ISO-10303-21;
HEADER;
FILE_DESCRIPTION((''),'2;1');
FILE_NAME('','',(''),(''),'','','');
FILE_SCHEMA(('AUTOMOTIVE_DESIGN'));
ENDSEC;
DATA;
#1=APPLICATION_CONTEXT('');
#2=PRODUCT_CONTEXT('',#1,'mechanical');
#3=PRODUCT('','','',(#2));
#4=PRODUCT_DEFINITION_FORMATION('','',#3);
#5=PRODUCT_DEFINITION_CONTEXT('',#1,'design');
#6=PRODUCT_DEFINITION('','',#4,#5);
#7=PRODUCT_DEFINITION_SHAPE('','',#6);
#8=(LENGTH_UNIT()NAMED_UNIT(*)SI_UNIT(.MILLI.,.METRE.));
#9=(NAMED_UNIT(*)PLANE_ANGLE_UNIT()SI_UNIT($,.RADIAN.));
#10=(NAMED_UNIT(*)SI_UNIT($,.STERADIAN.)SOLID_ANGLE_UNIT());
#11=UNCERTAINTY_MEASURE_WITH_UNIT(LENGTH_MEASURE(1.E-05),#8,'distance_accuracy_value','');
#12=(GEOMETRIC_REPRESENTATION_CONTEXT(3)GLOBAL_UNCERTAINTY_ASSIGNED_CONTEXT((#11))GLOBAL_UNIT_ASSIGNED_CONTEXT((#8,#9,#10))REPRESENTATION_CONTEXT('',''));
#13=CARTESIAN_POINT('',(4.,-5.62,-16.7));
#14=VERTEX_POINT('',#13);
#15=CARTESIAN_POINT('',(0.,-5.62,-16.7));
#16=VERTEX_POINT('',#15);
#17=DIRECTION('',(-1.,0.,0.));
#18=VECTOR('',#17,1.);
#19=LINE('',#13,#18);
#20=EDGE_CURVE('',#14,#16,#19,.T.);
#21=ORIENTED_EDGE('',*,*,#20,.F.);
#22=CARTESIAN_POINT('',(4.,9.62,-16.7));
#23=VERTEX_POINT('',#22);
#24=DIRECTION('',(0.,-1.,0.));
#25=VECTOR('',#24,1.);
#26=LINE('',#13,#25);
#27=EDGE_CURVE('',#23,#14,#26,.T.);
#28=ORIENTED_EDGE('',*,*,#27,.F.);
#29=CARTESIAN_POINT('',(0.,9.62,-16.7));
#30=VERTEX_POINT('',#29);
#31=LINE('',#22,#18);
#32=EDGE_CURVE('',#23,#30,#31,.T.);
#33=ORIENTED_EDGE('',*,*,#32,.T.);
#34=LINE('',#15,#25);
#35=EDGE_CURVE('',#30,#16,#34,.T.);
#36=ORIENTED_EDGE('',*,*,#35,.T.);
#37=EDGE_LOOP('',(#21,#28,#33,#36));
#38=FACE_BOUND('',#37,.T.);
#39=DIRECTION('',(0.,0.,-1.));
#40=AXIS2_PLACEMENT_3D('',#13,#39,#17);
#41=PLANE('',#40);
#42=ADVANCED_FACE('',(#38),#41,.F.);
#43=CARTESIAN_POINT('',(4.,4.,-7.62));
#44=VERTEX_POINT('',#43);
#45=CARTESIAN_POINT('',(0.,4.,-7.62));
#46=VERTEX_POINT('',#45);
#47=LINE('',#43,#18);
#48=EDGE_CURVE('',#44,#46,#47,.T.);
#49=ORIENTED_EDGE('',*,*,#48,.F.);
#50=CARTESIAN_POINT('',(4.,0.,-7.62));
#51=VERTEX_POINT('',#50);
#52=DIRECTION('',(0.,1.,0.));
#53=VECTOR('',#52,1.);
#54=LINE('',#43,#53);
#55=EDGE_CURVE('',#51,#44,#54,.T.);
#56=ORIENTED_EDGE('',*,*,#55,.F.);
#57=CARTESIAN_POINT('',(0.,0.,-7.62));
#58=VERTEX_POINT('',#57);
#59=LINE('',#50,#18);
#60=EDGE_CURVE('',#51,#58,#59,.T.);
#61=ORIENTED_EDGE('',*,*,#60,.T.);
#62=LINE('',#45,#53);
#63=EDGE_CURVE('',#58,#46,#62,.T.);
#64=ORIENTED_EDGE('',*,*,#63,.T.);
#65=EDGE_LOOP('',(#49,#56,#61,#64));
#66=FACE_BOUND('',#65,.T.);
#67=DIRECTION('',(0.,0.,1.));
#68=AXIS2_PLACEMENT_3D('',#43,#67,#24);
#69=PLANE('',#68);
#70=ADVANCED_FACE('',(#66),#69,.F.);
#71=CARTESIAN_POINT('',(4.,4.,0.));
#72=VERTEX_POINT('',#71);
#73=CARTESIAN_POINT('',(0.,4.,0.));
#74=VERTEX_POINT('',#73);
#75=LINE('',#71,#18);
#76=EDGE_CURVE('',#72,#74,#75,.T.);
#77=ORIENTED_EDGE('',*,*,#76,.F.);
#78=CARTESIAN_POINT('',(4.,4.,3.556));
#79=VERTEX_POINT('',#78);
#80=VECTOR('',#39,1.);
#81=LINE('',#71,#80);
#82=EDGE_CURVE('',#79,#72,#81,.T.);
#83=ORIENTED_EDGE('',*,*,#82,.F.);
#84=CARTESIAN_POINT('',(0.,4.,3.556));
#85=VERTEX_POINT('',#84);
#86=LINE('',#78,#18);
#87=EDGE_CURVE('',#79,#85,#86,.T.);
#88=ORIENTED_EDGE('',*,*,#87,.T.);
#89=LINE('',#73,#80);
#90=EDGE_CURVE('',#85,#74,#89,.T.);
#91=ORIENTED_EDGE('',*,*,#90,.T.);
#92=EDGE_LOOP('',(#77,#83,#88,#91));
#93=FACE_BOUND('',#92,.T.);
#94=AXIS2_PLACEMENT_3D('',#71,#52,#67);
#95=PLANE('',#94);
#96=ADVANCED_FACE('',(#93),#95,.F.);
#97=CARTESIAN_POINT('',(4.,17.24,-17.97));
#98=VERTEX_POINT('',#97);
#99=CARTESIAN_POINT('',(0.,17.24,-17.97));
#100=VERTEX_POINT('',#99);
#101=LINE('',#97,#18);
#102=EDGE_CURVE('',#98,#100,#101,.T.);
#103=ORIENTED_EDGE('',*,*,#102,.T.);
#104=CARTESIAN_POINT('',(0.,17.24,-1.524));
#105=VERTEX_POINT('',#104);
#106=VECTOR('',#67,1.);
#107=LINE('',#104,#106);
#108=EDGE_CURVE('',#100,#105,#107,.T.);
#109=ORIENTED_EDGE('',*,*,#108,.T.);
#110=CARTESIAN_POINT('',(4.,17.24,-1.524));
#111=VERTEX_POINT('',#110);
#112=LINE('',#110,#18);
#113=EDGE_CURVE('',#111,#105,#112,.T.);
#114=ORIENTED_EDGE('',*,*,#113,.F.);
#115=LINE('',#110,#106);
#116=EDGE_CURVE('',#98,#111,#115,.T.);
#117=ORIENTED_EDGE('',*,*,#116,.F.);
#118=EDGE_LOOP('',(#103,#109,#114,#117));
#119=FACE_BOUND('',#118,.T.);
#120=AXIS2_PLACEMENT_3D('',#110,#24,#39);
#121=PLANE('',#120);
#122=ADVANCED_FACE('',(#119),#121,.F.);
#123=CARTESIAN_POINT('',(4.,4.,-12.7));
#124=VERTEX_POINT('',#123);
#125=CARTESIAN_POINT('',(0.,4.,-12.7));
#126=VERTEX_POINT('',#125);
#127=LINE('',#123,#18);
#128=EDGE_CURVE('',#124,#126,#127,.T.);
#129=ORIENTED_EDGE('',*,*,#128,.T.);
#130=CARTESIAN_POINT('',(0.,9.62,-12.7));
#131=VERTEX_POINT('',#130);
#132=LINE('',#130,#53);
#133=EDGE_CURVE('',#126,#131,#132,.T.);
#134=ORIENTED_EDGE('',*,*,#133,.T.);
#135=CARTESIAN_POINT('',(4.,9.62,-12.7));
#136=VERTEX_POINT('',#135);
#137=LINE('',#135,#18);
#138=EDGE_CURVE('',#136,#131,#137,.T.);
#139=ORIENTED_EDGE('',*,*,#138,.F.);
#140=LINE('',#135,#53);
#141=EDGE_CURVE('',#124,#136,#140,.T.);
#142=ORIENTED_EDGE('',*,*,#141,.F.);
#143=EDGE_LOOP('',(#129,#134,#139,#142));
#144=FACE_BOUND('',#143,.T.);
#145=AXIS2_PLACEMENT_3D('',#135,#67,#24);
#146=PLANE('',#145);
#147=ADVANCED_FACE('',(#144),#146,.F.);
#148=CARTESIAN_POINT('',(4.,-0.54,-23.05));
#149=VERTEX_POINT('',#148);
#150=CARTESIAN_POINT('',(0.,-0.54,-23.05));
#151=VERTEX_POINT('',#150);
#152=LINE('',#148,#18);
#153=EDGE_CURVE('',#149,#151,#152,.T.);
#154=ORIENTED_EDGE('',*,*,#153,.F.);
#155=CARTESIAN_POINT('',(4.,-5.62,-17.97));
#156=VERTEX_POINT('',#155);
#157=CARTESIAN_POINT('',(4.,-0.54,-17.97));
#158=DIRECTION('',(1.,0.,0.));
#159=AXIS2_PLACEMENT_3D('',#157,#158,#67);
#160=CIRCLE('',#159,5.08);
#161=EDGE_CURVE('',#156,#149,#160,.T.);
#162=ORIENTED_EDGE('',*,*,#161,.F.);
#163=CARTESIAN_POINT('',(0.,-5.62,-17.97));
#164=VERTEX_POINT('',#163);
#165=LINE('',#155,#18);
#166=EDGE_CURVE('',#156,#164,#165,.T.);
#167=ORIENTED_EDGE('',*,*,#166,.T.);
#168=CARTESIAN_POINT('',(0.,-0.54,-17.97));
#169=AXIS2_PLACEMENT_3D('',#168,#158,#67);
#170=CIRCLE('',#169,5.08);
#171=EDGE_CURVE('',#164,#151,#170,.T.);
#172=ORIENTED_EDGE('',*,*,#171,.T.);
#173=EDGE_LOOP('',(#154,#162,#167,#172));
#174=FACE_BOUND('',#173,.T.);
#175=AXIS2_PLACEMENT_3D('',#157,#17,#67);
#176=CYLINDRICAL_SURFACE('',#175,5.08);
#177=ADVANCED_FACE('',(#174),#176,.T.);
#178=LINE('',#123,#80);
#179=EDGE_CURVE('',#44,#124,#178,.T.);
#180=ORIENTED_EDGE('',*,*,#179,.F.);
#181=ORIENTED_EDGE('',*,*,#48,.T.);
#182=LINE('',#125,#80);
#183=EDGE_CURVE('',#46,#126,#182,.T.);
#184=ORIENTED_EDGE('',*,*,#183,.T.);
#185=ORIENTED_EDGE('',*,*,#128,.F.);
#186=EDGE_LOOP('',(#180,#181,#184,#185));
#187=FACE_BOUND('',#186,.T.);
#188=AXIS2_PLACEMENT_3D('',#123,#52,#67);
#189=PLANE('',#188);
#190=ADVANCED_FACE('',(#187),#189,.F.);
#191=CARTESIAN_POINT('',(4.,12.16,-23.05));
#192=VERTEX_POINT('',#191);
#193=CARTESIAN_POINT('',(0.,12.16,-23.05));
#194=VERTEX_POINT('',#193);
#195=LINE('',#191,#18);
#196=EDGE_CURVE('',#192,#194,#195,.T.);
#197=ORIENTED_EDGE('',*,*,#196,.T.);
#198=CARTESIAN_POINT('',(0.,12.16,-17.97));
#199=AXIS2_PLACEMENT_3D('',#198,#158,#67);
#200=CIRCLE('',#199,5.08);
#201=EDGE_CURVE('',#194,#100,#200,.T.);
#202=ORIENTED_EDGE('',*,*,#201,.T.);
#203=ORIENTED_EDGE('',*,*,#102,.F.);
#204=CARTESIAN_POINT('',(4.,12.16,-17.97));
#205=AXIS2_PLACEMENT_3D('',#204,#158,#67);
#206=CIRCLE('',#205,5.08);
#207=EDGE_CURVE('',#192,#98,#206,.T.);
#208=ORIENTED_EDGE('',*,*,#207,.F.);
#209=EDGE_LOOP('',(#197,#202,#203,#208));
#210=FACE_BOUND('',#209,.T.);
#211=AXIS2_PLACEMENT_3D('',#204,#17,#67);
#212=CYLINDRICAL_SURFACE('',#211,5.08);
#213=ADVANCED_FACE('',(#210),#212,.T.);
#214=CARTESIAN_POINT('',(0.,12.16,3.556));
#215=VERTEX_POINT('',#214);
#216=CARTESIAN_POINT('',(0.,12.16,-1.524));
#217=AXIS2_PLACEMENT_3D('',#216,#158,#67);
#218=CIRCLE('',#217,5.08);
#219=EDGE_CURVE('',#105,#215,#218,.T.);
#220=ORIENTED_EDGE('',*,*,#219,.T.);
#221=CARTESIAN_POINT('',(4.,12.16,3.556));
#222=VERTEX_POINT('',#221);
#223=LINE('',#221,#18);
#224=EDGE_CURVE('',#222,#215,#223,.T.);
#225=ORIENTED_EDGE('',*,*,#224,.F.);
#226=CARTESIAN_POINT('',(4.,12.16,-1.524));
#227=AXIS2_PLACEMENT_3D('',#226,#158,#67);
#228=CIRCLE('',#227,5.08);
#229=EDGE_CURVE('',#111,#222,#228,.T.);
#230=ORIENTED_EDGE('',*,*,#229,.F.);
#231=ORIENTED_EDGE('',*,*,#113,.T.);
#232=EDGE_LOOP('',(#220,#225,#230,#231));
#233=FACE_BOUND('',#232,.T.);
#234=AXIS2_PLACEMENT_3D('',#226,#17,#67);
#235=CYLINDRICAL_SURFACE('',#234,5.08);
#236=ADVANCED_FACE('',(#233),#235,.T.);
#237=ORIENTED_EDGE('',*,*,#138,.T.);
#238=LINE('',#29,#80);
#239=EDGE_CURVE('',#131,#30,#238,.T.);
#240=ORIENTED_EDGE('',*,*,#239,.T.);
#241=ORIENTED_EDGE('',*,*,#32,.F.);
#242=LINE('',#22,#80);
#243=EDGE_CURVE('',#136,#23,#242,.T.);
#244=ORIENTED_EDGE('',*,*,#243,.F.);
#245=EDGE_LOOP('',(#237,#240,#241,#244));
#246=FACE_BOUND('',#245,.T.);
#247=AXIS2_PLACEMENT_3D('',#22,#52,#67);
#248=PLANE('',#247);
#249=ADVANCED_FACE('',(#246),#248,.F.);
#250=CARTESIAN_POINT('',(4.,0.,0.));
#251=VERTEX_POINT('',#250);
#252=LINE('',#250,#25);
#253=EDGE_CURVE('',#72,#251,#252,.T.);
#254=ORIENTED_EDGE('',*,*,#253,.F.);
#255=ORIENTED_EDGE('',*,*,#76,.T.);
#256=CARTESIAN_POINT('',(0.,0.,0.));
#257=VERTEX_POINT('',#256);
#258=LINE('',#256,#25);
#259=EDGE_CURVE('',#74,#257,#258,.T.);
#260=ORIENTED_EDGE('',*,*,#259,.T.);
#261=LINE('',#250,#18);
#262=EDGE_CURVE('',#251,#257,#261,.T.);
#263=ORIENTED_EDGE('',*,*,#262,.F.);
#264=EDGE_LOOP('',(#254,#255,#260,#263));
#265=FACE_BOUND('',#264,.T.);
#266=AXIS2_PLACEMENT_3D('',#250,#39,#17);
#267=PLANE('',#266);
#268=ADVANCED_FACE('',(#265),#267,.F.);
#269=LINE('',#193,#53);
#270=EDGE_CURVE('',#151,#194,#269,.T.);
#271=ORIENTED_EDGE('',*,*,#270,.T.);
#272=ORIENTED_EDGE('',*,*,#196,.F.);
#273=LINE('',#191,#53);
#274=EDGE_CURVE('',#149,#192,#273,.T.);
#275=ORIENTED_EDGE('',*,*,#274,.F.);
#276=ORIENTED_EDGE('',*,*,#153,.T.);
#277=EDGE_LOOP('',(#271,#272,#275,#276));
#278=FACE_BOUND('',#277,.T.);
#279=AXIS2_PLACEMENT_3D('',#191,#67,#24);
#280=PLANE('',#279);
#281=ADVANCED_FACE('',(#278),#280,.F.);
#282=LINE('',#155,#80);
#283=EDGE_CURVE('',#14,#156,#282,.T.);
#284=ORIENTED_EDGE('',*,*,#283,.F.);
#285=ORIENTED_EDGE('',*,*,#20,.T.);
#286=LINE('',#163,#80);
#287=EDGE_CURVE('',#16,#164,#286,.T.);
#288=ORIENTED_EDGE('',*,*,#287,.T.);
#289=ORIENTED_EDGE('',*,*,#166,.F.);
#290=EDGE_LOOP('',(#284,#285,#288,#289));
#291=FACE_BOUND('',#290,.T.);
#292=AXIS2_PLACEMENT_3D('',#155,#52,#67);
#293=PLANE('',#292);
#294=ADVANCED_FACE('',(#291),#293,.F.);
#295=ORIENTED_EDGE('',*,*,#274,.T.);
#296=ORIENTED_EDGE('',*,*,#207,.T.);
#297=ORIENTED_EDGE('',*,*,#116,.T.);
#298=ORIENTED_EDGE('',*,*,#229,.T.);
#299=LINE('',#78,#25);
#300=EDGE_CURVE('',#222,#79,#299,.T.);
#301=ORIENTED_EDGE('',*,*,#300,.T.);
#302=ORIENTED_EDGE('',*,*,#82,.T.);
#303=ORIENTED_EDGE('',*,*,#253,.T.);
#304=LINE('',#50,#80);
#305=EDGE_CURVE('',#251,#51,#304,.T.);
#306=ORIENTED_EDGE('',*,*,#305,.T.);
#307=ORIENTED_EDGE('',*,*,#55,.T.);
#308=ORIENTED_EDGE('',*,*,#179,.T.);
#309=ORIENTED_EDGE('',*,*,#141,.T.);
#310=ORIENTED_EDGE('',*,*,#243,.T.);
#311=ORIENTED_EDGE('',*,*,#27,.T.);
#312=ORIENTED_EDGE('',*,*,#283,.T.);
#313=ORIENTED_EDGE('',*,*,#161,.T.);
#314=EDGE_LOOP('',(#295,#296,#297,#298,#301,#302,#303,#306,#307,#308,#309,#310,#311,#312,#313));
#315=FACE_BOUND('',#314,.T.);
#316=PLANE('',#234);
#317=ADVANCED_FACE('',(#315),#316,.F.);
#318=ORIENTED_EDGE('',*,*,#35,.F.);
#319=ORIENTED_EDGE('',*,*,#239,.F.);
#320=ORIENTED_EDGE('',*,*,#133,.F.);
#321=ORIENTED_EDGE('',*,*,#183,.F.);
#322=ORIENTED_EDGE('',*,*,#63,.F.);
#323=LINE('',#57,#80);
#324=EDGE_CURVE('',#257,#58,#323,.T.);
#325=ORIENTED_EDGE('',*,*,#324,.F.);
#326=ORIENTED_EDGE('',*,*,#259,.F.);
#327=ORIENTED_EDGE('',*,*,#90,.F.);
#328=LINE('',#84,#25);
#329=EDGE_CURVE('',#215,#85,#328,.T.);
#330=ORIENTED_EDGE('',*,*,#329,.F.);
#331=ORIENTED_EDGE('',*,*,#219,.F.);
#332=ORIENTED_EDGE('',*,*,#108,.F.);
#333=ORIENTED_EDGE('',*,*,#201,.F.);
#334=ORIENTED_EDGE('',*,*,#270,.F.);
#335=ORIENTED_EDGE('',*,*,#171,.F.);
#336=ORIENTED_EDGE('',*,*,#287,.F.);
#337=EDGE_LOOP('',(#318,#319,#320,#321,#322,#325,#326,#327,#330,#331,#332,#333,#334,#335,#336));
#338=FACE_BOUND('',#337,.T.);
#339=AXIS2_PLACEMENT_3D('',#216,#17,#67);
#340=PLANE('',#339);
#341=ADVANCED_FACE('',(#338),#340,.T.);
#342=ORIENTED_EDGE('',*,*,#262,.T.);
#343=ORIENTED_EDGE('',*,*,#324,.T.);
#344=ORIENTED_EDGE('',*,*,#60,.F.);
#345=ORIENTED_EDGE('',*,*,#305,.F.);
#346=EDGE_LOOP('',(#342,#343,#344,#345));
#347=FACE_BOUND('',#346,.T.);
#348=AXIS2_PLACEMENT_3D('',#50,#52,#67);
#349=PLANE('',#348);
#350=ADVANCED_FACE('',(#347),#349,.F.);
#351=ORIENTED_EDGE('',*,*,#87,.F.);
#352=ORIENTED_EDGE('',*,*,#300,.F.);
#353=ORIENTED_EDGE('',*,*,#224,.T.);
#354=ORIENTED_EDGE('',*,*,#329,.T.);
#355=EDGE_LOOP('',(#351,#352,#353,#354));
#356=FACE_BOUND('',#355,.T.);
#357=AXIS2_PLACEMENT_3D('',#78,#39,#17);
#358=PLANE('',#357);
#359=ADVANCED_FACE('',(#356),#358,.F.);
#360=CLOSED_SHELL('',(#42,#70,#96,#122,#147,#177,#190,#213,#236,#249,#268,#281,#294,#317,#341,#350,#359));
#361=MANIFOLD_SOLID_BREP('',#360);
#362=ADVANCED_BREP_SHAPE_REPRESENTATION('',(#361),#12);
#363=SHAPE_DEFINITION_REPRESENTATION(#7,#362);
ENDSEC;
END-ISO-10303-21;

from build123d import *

# Parameters (mm, degrees)
BOSS_EXTRUDE1_DEPTH = 4


with BuildPart() as part:
    # Sketch1 → Boss-Extrude1 (new body)
    with BuildSketch(Plane.YZ):
        with BuildLine():
            Line((0, 0), (4, 0))
            Line((4, 0), (4, 3.556))
            Line((4, 3.556), (12.16, 3.556))
            ThreePointArc((12.16, 3.556), (15.752102448, 2.068102448), (17.24, -1.524))
            Line((17.24, -1.524), (17.24, -17.97))
            ThreePointArc((17.24, -17.97), (15.752102448, -21.562102448), (12.16, -23.05))
            Line((12.16, -23.05), (-0.54, -23.05))
            ThreePointArc((-0.54, -23.05), (-4.132102448, -21.562102448), (-5.62, -17.97))
            Line((-5.62, -17.97), (-5.62, -16.7))
            Line((-5.62, -16.7), (9.62, -16.7))
            Line((9.62, -16.7), (9.62, -12.7))
            Line((9.62, -12.7), (4, -12.7))
            Line((4, -12.7), (4, -7.62))
            Line((4, -7.62), (0, -7.62))
            Line((0, -7.62), (0, 0))
        make_face()
    extrude(amount=BOSS_EXTRUDE1_DEPTH)


solid = part.part
